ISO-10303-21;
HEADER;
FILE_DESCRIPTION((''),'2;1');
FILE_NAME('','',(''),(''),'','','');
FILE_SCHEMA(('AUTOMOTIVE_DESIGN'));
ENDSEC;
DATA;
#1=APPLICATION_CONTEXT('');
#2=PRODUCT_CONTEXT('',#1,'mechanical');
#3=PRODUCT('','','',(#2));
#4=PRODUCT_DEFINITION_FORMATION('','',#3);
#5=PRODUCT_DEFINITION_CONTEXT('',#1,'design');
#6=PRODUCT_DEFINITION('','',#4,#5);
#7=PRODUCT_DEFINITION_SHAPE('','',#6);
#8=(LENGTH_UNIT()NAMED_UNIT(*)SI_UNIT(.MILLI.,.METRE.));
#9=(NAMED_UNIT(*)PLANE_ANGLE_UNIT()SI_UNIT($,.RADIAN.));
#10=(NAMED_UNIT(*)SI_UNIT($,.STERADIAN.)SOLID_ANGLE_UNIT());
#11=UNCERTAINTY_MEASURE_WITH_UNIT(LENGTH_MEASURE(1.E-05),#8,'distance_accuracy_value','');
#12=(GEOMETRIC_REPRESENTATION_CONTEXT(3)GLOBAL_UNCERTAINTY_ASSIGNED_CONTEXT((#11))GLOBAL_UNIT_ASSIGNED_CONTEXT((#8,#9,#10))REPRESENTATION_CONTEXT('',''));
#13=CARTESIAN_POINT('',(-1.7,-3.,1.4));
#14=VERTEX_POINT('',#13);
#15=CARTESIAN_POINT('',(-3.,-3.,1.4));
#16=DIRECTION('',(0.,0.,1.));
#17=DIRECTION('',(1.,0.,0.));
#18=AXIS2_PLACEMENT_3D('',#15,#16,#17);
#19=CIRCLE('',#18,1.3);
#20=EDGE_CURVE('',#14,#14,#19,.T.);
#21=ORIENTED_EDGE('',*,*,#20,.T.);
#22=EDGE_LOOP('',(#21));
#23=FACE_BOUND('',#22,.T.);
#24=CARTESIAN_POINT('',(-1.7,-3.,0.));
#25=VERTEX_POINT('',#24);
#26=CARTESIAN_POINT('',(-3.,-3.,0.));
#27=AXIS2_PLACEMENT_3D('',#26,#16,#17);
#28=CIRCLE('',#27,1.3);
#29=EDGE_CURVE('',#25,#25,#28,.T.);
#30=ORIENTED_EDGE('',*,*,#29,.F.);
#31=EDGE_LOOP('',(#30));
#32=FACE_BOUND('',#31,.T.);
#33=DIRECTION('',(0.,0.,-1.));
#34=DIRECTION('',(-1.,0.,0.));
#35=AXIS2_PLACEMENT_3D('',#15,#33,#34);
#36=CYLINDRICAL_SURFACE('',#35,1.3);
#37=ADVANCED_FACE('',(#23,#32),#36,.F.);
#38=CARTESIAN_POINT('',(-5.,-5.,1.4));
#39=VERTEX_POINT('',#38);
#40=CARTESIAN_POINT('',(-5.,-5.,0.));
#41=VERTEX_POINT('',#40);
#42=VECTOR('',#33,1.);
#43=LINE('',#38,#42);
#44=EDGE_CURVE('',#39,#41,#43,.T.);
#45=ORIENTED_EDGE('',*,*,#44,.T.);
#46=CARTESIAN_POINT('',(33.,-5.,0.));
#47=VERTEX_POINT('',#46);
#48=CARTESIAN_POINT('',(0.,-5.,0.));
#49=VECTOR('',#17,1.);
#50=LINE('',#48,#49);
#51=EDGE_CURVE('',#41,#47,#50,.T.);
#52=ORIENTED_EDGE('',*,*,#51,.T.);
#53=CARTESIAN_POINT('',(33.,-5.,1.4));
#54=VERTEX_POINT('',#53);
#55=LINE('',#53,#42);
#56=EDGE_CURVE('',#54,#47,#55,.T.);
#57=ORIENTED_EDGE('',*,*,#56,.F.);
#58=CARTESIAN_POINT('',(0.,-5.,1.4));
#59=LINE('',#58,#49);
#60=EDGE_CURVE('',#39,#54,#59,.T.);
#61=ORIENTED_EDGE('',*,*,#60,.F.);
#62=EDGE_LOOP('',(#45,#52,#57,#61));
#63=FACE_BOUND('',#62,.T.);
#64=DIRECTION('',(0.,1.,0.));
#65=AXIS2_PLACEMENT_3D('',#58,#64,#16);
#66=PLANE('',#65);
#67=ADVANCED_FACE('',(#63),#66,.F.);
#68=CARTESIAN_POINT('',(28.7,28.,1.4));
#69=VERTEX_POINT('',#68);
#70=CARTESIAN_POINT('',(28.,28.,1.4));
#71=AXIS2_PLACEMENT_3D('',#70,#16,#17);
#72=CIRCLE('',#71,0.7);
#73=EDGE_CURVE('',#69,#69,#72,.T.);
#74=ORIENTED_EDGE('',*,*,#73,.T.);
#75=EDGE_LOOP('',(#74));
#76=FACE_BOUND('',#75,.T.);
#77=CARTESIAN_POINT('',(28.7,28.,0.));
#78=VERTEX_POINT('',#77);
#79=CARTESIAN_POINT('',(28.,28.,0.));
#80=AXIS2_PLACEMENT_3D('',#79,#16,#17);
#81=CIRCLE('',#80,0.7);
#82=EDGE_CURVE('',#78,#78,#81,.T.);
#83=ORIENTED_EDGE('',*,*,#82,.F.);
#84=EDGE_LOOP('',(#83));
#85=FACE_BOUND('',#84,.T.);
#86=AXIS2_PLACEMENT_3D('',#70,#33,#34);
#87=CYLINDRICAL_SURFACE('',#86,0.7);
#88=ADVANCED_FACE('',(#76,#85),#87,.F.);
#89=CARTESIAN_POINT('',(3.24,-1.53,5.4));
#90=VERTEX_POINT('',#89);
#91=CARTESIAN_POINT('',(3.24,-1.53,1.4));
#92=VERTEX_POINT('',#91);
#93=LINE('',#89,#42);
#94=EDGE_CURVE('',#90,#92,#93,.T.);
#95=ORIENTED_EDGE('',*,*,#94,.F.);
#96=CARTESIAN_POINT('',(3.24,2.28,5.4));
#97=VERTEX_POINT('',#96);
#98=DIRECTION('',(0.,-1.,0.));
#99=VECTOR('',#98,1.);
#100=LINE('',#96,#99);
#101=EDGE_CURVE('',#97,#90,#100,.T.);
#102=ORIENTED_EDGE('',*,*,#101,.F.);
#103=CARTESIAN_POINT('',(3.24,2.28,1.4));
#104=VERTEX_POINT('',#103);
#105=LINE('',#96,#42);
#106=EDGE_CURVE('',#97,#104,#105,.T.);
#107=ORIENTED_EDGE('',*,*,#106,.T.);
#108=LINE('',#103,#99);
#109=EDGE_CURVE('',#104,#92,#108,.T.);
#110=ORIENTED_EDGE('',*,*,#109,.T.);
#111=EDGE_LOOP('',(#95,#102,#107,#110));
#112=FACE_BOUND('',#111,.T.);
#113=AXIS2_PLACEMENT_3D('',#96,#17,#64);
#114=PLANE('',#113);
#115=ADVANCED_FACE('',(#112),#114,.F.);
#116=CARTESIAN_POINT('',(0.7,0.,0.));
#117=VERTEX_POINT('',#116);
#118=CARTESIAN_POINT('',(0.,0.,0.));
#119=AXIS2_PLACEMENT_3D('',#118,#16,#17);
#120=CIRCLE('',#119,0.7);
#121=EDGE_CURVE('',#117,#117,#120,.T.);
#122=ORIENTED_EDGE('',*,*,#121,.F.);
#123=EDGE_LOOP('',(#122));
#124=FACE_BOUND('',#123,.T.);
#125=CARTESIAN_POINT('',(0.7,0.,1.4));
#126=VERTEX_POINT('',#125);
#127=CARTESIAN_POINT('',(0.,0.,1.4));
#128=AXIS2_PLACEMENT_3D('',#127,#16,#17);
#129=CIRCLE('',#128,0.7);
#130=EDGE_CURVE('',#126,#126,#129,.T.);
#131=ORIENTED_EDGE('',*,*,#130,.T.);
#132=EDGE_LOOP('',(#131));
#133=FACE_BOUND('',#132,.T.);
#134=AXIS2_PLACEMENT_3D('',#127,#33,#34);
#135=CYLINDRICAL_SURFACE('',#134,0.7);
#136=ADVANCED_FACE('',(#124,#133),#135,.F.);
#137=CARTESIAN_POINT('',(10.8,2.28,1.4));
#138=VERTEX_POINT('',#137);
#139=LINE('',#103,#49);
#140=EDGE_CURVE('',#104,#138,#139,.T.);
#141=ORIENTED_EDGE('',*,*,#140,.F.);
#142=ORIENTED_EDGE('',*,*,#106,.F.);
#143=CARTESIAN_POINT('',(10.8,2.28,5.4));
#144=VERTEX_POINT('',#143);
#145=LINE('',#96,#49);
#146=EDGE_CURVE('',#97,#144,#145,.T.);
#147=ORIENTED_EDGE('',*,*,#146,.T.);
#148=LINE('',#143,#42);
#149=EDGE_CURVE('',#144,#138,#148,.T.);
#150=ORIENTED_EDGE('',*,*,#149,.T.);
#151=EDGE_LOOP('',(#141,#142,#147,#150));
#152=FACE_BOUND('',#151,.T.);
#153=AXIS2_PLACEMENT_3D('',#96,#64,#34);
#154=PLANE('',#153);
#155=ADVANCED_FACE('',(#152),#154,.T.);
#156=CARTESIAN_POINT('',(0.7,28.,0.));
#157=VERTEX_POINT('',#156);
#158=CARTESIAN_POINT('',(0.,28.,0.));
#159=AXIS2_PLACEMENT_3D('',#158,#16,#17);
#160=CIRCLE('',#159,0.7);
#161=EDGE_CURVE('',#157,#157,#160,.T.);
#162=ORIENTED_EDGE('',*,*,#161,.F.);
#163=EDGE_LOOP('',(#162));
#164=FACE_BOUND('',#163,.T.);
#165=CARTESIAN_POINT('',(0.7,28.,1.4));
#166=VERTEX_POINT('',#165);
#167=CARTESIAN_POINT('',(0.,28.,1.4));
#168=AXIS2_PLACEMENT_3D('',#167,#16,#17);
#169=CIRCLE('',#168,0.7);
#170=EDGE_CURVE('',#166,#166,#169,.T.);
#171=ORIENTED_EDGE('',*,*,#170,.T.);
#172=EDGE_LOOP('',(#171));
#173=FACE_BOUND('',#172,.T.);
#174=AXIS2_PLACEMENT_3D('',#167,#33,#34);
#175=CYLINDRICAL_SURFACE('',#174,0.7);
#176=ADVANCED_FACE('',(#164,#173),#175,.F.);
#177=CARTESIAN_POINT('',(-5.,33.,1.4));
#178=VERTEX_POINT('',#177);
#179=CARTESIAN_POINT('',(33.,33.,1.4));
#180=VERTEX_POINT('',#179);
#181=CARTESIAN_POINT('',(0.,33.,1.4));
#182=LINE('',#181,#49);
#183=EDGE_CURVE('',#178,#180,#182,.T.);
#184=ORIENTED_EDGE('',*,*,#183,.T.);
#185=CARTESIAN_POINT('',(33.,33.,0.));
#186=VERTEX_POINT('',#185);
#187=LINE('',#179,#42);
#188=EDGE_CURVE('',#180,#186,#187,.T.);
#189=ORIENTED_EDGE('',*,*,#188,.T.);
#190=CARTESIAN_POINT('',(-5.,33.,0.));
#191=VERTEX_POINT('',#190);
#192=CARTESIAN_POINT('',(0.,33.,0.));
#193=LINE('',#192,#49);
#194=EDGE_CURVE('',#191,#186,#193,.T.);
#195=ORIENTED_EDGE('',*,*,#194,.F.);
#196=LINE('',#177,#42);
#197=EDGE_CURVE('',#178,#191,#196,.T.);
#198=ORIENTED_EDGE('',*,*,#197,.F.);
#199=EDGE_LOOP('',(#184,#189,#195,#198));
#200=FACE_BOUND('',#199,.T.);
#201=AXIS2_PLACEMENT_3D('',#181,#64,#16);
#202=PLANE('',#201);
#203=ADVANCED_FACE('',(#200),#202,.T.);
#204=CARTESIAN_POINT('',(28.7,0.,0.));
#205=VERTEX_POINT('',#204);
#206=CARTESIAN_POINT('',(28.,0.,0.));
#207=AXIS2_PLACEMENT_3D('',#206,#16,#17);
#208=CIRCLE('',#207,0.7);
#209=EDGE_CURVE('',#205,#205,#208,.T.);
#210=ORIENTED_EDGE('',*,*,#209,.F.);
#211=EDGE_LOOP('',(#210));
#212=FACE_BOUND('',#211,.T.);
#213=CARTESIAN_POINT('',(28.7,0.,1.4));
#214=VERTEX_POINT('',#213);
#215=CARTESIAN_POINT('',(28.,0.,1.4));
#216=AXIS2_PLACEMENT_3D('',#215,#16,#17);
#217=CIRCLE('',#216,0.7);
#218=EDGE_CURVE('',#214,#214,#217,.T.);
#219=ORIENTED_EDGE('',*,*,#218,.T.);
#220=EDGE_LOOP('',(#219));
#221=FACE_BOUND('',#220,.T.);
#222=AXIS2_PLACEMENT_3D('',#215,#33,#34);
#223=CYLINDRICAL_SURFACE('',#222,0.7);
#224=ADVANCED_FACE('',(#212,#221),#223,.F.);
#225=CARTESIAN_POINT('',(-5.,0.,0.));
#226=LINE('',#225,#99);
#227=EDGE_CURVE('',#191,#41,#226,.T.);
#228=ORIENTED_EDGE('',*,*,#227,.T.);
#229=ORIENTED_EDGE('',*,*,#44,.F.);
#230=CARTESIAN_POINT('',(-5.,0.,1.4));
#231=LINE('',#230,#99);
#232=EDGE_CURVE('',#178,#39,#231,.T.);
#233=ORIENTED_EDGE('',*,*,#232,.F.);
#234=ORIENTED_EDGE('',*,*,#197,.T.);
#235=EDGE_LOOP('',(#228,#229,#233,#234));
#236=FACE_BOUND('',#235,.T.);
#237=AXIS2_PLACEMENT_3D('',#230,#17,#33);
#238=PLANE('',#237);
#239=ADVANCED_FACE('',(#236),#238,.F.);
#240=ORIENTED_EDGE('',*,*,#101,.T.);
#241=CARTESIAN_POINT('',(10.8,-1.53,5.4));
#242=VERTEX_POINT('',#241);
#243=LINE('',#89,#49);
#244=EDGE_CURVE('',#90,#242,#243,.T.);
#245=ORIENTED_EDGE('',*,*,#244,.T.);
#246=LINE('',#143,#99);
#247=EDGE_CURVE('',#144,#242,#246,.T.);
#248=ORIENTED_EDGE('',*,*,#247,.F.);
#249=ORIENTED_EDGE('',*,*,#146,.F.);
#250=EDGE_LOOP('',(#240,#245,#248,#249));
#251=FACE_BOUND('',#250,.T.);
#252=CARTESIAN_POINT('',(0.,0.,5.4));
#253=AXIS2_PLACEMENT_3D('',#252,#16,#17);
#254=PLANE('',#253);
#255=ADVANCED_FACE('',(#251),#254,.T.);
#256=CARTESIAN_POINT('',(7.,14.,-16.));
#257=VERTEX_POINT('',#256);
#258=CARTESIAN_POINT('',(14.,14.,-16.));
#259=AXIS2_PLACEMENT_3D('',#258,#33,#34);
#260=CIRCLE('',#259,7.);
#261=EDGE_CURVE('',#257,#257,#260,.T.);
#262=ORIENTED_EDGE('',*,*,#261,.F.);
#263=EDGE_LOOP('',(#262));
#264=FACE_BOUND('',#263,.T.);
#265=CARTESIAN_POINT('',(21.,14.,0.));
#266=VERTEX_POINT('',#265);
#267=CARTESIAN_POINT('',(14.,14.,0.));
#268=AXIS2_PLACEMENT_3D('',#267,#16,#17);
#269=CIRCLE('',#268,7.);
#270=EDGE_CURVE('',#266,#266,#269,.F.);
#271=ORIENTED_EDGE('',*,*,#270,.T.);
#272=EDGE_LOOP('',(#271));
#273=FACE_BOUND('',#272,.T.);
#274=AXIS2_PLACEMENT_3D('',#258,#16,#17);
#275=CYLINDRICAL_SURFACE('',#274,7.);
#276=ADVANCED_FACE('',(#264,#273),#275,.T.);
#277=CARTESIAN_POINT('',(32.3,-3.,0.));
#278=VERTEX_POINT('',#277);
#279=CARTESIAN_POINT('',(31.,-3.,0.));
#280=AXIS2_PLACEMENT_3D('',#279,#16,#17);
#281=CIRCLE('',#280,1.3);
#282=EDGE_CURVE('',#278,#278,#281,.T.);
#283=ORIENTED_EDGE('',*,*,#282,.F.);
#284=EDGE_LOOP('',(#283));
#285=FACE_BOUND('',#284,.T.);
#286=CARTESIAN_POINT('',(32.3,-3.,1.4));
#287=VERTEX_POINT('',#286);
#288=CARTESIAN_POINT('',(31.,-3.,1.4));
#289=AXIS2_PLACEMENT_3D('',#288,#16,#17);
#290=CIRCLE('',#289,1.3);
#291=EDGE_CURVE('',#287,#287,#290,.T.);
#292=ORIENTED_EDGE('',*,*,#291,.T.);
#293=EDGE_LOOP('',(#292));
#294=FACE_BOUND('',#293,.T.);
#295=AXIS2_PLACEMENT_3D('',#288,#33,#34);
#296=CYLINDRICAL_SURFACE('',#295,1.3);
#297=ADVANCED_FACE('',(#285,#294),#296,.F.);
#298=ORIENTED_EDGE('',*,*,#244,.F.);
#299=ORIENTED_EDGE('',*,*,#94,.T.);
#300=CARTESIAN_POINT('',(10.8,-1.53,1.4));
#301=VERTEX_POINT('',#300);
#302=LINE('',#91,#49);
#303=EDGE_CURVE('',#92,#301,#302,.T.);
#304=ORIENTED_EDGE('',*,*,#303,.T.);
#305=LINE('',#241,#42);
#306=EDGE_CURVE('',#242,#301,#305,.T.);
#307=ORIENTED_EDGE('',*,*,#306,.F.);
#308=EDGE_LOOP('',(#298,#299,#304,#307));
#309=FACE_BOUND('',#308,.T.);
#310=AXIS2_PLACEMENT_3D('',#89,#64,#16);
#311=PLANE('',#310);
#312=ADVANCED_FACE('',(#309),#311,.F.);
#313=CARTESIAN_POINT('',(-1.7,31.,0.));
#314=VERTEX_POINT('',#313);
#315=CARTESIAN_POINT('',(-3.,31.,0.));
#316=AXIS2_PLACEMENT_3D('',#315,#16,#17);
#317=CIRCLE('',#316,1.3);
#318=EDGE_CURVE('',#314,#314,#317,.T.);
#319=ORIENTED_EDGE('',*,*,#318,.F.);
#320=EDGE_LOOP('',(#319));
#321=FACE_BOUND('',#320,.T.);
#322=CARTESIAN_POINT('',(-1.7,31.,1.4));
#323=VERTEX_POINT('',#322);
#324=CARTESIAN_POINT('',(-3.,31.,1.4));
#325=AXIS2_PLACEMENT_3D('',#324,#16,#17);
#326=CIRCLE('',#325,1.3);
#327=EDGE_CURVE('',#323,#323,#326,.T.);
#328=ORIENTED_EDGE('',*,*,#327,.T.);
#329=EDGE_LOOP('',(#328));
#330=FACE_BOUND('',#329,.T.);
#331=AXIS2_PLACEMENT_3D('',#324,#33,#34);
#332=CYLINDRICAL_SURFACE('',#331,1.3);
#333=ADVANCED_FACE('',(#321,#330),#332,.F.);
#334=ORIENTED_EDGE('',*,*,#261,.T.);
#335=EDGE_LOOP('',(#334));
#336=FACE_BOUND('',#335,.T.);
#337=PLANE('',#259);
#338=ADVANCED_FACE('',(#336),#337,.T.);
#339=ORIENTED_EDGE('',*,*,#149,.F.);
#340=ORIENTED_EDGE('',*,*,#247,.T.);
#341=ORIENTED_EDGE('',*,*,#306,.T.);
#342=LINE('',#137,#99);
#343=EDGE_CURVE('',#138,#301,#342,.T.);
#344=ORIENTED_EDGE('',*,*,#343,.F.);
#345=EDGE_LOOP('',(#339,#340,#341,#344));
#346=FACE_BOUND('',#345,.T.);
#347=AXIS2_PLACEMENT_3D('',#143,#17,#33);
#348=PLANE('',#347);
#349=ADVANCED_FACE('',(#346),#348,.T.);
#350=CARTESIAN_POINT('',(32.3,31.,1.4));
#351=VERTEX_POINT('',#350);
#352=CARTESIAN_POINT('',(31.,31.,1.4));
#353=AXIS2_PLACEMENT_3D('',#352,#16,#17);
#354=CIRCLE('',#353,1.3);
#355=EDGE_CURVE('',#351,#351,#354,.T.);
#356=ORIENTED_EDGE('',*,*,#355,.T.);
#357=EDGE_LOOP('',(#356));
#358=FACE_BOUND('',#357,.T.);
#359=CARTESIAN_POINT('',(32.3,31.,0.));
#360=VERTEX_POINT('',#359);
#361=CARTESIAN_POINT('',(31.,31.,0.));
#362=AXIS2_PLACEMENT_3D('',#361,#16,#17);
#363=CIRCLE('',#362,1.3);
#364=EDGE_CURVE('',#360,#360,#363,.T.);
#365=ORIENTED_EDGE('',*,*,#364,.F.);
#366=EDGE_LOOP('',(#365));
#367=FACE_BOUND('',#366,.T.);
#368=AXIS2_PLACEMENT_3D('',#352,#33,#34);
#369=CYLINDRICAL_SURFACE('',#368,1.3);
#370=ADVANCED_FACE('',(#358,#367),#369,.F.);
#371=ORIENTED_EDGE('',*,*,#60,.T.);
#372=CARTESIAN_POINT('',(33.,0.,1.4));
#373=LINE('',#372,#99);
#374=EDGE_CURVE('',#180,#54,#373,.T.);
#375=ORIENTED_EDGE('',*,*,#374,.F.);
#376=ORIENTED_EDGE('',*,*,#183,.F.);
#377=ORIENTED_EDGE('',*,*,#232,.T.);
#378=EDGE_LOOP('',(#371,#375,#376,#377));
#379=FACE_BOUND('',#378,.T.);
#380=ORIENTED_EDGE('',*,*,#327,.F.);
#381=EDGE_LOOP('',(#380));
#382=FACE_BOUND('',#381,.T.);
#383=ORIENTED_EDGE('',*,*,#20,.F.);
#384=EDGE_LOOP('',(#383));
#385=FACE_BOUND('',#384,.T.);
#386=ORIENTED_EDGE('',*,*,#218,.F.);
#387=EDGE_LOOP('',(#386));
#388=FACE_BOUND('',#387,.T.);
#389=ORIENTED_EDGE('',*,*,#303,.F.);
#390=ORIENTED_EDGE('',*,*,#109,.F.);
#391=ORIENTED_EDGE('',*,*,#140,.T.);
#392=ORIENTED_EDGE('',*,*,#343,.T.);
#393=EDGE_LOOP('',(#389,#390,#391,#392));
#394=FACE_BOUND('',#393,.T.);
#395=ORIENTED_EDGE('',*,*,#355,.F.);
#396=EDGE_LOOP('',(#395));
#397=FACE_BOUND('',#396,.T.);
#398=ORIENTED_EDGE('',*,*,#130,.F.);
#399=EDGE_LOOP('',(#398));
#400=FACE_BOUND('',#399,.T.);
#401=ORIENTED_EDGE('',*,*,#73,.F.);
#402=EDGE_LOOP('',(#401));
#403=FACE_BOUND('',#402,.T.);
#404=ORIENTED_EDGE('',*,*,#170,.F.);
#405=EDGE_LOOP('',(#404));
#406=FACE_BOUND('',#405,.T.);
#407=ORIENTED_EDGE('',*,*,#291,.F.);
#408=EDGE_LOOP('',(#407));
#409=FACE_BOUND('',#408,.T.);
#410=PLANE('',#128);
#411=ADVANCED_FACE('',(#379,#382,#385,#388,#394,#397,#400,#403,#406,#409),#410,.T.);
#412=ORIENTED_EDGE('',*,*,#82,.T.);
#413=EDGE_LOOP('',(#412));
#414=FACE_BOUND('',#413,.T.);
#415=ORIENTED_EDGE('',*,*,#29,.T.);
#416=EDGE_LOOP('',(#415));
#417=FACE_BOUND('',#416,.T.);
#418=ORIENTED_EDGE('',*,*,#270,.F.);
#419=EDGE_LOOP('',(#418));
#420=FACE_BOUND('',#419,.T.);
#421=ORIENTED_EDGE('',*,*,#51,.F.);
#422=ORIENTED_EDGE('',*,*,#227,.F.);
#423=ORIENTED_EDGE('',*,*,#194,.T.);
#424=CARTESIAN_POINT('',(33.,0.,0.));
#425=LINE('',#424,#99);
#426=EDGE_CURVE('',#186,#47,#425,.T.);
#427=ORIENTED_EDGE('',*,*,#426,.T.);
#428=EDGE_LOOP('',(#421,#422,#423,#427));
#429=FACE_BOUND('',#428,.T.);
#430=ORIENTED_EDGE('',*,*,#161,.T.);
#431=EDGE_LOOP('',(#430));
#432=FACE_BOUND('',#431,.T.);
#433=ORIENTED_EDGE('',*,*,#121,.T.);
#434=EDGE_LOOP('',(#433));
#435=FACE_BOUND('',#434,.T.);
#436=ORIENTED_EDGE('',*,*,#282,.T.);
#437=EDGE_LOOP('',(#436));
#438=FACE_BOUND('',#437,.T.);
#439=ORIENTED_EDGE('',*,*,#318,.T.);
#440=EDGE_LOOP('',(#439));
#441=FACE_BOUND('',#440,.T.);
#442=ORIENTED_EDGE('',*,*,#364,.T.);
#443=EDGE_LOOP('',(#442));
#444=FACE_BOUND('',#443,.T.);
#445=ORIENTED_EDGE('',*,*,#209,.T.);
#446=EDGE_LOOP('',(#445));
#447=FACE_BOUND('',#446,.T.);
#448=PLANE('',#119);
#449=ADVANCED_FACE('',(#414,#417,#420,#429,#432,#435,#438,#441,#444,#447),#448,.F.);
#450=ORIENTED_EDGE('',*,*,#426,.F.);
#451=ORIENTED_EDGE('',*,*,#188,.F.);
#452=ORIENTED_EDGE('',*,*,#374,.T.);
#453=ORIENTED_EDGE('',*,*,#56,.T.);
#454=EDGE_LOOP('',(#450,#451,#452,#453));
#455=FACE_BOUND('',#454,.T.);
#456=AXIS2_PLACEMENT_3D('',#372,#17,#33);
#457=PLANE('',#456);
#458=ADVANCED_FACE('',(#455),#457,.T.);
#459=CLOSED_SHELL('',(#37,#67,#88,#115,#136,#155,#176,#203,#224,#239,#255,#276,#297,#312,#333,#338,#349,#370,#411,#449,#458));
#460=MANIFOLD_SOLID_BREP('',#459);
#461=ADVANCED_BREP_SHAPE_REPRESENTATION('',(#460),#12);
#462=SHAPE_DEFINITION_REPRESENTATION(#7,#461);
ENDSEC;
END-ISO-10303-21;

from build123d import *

# Parameters (mm, degrees)
SKETCH1_W           = 38
SKETCH1_H           = 38
SKETCH1_R           = 1.3
SKETCH1_R_2         = 0.7
BOSS_EXTRUDE1_DEPTH = 1.4
SKETCH2_W           = 7.56
SKETCH2_H           = 3.81
BOSS_EXTRUDE2_DEPTH = 4
SKETCH3_R           = 7
BOSS_EXTRUDE3_DEPTH = 16


with BuildPart() as part:
    # Sketch1 → Boss-Extrude1 (new body)
    # profile 1 of 2: a face of its own
    with BuildSketch(Plane.XY):
        with Locations((14, 14)):
            Rectangle(SKETCH1_W, SKETCH1_H)
        with Locations((-3, -3)):
            Circle(SKETCH1_R, mode=Mode.SUBTRACT)
        with Locations((31, -3)):
            Circle(SKETCH1_R, mode=Mode.SUBTRACT)
        with Locations((31, 31)):
            Circle(SKETCH1_R, mode=Mode.SUBTRACT)
        with Locations((-3, 31)):
            Circle(SKETCH1_R, mode=Mode.SUBTRACT)
        with BuildLine():
            ThreePointArc((0.1, 29.3), (-0.889949494, 28.889949494), (-1.3, 27.9))
            Line((-1.3, 27.9), (-1.3, 0.1))
            ThreePointArc((-1.3, 0.1), (-0.889949494, -0.889949494), (0.1, -1.3))
            Line((0.1, -1.3), (27.9, -1.3))
            ThreePointArc((27.9, -1.3), (28.889949494, -0.889949494), (29.3, 0.1))
            Line((29.3, 0.1), (29.3, 27.9))
            ThreePointArc((29.3, 27.9), (28.889949494, 28.889949494), (27.9, 29.3))
            Line((27.9, 29.3), (0.1, 29.3))
        make_face(mode=Mode.SUBTRACT)
    # profile 2 of 2: a face of its own
    with BuildSketch(Plane.XY):
        with BuildLine():
            Line((0.1, 29.3), (27.9, 29.3))
            ThreePointArc((27.9, 29.3), (28.889949494, 28.889949494), (29.3, 27.9))
            Line((29.3, 27.9), (29.3, 0.1))
            ThreePointArc((29.3, 0.1), (28.889949494, -0.889949494), (27.9, -1.3))
            Line((27.9, -1.3), (0.1, -1.3))
            ThreePointArc((0.1, -1.3), (-0.889949494, -0.889949494), (-1.3, 0.1))
            Line((-1.3, 0.1), (-1.3, 27.9))
            ThreePointArc((-1.3, 27.9), (-0.889949494, 28.889949494), (0.1, 29.3))
        make_face()
        with Locations((0, 28)):
            Circle(SKETCH1_R_2, mode=Mode.SUBTRACT)
        with Locations((28, 28)):
            Circle(SKETCH1_R_2, mode=Mode.SUBTRACT)
        Circle(SKETCH1_R_2, mode=Mode.SUBTRACT)
        with Locations((28, 0)):
            Circle(SKETCH1_R_2, mode=Mode.SUBTRACT)
    extrude(amount=BOSS_EXTRUDE1_DEPTH)

    # Sketch2 → Boss-Extrude2 (add)
    with BuildSketch(Plane.XY.offset(1.4)):
        with Locations((7.02, 0.375)):
            Rectangle(SKETCH2_W, SKETCH2_H)
    extrude(amount=BOSS_EXTRUDE2_DEPTH)

    # Sketch3 → Boss-Extrude3 (add)
    with BuildSketch(Plane(origin=(0, 0, 0), x_dir=(-1, 0, 0), z_dir=(0, 0, -1))):
        with Locations(Location((-14, 14, 0), (0, 0, 180))):
            Circle(SKETCH3_R)
    extrude(amount=BOSS_EXTRUDE3_DEPTH)


solid = part.part
